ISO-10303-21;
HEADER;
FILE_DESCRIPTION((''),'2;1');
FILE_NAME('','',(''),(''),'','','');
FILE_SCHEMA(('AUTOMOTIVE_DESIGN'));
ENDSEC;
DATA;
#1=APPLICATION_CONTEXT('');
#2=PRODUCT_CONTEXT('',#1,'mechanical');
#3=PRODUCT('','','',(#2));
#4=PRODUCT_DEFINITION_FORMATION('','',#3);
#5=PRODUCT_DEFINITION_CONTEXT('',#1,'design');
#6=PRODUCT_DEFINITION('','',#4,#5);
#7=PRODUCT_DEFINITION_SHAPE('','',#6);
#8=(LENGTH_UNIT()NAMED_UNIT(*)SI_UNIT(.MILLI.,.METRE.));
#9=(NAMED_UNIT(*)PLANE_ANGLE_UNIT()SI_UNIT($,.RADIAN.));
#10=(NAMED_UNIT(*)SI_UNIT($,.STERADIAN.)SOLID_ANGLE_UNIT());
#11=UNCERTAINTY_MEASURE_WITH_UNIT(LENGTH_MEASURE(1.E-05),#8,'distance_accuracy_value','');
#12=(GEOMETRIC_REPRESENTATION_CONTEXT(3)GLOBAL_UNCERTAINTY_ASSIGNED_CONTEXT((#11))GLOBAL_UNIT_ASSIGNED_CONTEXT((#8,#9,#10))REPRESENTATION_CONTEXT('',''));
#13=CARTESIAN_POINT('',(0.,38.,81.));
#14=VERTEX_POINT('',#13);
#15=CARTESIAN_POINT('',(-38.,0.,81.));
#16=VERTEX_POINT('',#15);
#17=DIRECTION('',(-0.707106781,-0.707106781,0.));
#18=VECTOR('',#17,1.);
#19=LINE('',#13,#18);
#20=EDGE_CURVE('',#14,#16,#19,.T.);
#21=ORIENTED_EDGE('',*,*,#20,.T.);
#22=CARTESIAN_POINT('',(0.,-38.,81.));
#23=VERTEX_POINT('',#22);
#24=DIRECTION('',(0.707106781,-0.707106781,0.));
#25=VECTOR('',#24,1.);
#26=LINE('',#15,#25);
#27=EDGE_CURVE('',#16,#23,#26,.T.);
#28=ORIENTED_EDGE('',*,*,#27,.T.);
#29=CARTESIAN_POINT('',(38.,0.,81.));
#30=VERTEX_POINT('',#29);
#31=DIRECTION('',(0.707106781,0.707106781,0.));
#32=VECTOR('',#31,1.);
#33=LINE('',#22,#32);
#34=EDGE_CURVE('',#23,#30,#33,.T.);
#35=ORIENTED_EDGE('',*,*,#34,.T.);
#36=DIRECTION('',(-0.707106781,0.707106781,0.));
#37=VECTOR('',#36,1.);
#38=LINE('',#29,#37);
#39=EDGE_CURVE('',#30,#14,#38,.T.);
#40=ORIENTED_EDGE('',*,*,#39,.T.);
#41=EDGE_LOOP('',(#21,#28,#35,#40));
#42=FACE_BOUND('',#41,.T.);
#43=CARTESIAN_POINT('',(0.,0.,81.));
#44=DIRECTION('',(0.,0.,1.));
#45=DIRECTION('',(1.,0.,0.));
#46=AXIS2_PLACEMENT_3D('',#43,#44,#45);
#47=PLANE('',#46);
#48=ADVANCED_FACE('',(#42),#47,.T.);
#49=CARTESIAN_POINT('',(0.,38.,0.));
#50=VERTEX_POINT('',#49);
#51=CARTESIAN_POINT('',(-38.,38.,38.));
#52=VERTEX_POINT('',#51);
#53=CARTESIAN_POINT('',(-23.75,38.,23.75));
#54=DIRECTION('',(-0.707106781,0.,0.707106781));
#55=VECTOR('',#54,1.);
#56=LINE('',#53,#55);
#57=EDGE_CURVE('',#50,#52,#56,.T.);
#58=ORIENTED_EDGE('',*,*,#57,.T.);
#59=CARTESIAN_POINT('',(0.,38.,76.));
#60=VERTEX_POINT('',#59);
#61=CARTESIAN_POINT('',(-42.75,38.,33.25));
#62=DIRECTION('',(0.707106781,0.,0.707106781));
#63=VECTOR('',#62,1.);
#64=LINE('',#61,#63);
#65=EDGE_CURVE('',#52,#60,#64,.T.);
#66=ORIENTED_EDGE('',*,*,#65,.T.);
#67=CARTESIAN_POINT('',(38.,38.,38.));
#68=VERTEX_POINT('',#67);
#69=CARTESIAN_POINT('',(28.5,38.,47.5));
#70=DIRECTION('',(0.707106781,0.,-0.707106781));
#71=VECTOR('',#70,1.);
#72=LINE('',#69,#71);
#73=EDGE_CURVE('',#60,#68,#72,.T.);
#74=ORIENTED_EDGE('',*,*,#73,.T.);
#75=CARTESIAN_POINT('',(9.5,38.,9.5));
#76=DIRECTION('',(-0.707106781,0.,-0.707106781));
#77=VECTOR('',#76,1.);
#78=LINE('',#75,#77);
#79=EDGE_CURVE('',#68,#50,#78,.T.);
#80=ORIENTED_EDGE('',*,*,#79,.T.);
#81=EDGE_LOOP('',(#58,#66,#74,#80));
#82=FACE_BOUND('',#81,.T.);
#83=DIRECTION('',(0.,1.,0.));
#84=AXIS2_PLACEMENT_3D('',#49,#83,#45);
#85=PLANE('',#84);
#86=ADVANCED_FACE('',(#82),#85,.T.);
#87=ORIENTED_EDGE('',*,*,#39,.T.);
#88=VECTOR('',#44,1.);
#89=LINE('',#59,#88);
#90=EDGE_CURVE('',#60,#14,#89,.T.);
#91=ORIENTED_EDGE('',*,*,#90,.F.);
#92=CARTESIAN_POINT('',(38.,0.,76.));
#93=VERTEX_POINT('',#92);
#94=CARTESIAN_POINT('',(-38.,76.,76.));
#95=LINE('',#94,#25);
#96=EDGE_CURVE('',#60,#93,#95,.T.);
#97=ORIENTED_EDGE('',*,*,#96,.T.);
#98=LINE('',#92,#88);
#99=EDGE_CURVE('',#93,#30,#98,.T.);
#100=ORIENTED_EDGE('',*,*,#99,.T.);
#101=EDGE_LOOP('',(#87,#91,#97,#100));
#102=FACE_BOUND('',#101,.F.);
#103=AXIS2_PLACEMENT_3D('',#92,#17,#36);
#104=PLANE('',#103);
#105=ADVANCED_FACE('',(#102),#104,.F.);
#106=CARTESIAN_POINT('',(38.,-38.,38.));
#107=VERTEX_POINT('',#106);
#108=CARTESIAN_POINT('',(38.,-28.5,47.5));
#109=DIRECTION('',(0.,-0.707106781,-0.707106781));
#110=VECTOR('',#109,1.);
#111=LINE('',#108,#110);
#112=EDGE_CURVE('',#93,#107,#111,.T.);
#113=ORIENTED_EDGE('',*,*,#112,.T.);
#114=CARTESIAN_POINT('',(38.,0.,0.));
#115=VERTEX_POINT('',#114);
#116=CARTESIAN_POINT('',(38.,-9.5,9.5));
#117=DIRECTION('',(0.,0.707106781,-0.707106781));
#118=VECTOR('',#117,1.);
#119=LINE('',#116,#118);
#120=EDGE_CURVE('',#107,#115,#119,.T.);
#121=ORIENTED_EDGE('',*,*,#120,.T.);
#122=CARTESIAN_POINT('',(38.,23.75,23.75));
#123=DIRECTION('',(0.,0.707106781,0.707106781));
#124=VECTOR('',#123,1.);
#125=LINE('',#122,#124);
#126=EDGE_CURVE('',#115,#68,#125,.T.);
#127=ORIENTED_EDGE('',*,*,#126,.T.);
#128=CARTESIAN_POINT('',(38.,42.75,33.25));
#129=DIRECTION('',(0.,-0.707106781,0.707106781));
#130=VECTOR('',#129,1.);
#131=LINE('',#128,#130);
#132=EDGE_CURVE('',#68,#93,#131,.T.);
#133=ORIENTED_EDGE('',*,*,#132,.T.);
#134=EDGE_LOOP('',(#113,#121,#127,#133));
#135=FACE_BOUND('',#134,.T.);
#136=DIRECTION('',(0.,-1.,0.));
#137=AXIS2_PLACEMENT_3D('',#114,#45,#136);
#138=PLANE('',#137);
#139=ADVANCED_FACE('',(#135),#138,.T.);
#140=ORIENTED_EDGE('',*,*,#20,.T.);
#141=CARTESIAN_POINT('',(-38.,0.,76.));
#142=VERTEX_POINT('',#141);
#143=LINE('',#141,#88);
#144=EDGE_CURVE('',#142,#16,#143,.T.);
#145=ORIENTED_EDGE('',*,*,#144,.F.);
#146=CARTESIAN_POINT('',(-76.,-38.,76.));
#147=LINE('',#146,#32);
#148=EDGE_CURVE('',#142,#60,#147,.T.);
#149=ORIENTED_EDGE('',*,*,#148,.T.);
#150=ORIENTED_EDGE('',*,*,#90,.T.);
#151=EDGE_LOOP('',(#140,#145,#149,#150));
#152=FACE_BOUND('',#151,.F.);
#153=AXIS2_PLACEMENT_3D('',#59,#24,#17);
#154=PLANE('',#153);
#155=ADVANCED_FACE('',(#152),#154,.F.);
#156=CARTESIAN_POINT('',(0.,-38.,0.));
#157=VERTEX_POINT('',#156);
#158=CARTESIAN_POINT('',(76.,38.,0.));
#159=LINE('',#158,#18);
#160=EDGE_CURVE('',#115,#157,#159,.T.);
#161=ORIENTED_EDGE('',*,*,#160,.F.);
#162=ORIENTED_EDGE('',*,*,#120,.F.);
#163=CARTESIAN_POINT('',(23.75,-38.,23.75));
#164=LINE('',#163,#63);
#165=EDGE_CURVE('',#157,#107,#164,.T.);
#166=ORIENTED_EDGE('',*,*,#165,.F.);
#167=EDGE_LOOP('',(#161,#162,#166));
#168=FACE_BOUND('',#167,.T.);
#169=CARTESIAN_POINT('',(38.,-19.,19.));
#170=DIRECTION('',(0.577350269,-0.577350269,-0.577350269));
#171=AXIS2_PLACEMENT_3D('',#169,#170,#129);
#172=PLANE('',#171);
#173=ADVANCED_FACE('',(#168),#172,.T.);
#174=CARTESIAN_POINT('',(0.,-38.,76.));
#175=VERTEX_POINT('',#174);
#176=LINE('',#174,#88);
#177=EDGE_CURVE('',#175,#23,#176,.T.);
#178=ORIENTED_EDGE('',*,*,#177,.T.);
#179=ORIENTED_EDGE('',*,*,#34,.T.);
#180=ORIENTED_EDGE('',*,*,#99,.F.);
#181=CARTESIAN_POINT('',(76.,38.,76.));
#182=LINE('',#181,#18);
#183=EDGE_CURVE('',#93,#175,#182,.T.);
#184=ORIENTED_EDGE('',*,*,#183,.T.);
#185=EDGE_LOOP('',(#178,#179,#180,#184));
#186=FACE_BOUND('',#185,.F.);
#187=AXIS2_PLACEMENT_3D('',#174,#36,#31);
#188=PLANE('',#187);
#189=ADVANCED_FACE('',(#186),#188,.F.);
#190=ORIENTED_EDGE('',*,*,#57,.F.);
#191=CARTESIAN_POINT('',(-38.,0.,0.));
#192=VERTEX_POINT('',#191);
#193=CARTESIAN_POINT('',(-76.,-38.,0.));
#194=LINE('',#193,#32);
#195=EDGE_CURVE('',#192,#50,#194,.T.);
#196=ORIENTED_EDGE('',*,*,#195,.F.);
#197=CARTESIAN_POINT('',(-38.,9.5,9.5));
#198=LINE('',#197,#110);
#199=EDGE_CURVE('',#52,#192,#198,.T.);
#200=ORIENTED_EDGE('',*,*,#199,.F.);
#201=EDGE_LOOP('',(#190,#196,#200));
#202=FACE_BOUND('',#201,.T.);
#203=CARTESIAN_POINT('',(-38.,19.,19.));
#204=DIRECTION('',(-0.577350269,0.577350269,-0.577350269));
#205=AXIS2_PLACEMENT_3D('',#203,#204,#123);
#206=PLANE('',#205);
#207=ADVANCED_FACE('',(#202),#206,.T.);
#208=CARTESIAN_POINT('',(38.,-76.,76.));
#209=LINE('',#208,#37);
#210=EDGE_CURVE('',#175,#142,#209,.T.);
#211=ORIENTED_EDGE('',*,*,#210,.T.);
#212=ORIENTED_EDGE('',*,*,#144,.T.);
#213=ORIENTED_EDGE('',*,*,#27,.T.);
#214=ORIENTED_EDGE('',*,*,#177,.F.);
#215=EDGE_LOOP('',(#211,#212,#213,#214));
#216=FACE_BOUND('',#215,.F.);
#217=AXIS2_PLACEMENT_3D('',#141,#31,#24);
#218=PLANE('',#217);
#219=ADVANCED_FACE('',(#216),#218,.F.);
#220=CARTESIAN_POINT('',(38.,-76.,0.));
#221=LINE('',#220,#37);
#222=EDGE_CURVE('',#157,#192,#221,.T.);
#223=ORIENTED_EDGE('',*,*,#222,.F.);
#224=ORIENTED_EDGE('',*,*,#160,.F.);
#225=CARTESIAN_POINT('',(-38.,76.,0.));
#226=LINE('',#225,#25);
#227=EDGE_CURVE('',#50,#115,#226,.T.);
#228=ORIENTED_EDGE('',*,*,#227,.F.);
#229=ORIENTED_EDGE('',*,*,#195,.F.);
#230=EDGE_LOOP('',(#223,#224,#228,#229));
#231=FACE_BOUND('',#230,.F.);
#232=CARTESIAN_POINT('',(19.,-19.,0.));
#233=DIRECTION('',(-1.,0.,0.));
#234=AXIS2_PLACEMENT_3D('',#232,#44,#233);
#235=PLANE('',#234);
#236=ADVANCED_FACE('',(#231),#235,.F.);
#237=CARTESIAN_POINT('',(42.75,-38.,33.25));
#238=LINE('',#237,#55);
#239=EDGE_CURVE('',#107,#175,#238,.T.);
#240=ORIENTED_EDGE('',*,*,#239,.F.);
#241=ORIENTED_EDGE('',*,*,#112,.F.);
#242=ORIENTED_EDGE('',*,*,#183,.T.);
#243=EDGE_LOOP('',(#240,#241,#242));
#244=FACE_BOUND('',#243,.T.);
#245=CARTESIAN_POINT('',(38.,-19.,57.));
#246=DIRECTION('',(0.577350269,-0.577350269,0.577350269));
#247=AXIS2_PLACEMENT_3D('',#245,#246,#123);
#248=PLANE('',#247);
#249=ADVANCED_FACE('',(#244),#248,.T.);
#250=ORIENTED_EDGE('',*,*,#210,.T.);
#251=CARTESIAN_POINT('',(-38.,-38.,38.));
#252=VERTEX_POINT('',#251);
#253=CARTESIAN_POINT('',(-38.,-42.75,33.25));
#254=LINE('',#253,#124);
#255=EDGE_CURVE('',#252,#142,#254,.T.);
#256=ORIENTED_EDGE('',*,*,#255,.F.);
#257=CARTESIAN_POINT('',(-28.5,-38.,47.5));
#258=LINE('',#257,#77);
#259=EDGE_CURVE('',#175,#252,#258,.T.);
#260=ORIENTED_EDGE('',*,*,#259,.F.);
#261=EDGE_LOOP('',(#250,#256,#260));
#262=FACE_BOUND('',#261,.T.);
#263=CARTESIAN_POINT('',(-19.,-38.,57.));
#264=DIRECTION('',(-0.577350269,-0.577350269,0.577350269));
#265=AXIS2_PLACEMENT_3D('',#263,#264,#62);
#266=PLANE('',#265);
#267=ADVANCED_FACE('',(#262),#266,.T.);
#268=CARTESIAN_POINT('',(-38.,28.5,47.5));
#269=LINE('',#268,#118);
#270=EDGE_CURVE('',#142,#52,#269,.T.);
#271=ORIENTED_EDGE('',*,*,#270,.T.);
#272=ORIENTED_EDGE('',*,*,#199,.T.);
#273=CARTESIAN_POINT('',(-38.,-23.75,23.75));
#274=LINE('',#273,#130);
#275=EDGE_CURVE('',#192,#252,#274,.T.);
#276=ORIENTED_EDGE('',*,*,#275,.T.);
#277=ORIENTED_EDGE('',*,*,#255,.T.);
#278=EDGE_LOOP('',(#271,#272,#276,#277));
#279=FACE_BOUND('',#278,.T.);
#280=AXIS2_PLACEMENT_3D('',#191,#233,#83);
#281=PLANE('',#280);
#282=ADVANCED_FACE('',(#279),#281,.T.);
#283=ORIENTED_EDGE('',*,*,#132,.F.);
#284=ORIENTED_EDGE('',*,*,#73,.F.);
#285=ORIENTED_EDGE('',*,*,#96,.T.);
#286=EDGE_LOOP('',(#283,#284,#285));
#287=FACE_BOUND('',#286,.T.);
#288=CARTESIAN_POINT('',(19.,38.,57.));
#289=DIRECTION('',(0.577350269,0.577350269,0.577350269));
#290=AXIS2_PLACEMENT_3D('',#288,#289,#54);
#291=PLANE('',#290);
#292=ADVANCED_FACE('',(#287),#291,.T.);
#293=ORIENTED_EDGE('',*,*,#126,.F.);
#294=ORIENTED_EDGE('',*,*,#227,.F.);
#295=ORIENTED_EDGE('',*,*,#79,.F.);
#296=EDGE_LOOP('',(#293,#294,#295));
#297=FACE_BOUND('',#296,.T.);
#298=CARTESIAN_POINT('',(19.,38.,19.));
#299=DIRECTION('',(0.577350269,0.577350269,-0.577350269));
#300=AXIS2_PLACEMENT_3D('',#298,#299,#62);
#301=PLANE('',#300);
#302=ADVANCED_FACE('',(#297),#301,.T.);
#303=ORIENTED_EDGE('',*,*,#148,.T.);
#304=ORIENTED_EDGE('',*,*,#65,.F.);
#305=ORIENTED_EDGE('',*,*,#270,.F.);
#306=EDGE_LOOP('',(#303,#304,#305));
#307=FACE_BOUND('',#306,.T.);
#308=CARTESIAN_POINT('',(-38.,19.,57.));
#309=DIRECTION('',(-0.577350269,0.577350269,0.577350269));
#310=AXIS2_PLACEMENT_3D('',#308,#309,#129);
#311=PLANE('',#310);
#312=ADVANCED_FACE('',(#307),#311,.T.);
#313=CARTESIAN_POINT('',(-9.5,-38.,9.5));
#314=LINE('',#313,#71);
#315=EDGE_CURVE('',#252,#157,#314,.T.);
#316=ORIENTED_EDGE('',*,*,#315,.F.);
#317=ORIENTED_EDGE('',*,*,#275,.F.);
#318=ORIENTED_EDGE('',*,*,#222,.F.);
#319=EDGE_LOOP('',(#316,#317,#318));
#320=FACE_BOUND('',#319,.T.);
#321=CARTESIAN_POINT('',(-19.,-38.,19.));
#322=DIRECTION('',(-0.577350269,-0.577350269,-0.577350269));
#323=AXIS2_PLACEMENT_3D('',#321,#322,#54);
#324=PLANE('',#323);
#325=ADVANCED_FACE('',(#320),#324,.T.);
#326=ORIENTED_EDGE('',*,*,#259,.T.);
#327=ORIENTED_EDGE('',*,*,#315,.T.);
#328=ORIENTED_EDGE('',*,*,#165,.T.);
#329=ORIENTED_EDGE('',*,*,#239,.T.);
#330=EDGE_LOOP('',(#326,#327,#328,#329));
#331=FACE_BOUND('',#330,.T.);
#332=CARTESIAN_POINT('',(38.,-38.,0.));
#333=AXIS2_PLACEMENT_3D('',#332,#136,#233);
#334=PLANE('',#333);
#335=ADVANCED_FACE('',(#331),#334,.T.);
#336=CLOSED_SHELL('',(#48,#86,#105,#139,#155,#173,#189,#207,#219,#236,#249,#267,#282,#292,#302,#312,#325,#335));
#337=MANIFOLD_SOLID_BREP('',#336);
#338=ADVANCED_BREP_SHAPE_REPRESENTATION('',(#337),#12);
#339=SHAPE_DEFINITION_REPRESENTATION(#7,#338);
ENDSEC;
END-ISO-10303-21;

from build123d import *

# Parameters (mm, degrees)
F0_W     = 38
F0_H     = 38
F1_DEPTH = 76
F5_COUNT = 4
F8_DEPTH = 5


with BuildPart() as f1:
    # F0 (on Top) → F1 (new body)
    with BuildSketch(Plane.XY):
        with Locations((-19, 19)):
            Rectangle(F0_W, F0_H)
    extrude(amount=F1_DEPTH)

    # F4: sweep along a path in F2
    with BuildLine(Plane.XY) as f4_path:
        Line((-76, -38), (0, 38))
    # F3 (on face) → F4 (sweep, cut)
    with BuildSketch(Plane(origin=(-38, 0, 0), x_dir=(0, -1, 0), z_dir=(-1, 0, 0))):
        Polygon((-38, 76), (-38, 38), (0, 76), align=None)
        Polygon((-38, 0), (0, 0), (-38, 38), align=None)
    sweep(path=f4_path.line, mode=Mode.SUBTRACT)


with BuildPart() as f5_1:
    # F5: instance of F1
    add(f1.part.rotate(Axis((0, 0, 38), (0, 0, 1)), 1 * 360 / F5_COUNT))


with BuildPart() as f5_2:
    # F5: instance of F1
    add(f1.part.rotate(Axis((0, 0, 38), (0, 0, 1)), 2 * 360 / F5_COUNT))


with BuildPart() as f5_3:
    # F5: instance of F1
    add(f1.part.rotate(Axis((0, 0, 38), (0, 0, 1)), 3 * 360 / F5_COUNT))


with BuildPart() as f5_1_1:
    add(f5_1.part)

    # F6: union F1, F5_3, F5_2
    add(f1.part)
    add(f5_3.part)
    add(f5_2.part)

    # F7 (on face) → F8 (join)
    with BuildSketch(Plane.XY.offset(76)):
        Polygon((-38, 0), (0, -38), (38, 0), (0, 38), align=None)
    extrude(amount=F8_DEPTH)


solid = f5_1_1.part
